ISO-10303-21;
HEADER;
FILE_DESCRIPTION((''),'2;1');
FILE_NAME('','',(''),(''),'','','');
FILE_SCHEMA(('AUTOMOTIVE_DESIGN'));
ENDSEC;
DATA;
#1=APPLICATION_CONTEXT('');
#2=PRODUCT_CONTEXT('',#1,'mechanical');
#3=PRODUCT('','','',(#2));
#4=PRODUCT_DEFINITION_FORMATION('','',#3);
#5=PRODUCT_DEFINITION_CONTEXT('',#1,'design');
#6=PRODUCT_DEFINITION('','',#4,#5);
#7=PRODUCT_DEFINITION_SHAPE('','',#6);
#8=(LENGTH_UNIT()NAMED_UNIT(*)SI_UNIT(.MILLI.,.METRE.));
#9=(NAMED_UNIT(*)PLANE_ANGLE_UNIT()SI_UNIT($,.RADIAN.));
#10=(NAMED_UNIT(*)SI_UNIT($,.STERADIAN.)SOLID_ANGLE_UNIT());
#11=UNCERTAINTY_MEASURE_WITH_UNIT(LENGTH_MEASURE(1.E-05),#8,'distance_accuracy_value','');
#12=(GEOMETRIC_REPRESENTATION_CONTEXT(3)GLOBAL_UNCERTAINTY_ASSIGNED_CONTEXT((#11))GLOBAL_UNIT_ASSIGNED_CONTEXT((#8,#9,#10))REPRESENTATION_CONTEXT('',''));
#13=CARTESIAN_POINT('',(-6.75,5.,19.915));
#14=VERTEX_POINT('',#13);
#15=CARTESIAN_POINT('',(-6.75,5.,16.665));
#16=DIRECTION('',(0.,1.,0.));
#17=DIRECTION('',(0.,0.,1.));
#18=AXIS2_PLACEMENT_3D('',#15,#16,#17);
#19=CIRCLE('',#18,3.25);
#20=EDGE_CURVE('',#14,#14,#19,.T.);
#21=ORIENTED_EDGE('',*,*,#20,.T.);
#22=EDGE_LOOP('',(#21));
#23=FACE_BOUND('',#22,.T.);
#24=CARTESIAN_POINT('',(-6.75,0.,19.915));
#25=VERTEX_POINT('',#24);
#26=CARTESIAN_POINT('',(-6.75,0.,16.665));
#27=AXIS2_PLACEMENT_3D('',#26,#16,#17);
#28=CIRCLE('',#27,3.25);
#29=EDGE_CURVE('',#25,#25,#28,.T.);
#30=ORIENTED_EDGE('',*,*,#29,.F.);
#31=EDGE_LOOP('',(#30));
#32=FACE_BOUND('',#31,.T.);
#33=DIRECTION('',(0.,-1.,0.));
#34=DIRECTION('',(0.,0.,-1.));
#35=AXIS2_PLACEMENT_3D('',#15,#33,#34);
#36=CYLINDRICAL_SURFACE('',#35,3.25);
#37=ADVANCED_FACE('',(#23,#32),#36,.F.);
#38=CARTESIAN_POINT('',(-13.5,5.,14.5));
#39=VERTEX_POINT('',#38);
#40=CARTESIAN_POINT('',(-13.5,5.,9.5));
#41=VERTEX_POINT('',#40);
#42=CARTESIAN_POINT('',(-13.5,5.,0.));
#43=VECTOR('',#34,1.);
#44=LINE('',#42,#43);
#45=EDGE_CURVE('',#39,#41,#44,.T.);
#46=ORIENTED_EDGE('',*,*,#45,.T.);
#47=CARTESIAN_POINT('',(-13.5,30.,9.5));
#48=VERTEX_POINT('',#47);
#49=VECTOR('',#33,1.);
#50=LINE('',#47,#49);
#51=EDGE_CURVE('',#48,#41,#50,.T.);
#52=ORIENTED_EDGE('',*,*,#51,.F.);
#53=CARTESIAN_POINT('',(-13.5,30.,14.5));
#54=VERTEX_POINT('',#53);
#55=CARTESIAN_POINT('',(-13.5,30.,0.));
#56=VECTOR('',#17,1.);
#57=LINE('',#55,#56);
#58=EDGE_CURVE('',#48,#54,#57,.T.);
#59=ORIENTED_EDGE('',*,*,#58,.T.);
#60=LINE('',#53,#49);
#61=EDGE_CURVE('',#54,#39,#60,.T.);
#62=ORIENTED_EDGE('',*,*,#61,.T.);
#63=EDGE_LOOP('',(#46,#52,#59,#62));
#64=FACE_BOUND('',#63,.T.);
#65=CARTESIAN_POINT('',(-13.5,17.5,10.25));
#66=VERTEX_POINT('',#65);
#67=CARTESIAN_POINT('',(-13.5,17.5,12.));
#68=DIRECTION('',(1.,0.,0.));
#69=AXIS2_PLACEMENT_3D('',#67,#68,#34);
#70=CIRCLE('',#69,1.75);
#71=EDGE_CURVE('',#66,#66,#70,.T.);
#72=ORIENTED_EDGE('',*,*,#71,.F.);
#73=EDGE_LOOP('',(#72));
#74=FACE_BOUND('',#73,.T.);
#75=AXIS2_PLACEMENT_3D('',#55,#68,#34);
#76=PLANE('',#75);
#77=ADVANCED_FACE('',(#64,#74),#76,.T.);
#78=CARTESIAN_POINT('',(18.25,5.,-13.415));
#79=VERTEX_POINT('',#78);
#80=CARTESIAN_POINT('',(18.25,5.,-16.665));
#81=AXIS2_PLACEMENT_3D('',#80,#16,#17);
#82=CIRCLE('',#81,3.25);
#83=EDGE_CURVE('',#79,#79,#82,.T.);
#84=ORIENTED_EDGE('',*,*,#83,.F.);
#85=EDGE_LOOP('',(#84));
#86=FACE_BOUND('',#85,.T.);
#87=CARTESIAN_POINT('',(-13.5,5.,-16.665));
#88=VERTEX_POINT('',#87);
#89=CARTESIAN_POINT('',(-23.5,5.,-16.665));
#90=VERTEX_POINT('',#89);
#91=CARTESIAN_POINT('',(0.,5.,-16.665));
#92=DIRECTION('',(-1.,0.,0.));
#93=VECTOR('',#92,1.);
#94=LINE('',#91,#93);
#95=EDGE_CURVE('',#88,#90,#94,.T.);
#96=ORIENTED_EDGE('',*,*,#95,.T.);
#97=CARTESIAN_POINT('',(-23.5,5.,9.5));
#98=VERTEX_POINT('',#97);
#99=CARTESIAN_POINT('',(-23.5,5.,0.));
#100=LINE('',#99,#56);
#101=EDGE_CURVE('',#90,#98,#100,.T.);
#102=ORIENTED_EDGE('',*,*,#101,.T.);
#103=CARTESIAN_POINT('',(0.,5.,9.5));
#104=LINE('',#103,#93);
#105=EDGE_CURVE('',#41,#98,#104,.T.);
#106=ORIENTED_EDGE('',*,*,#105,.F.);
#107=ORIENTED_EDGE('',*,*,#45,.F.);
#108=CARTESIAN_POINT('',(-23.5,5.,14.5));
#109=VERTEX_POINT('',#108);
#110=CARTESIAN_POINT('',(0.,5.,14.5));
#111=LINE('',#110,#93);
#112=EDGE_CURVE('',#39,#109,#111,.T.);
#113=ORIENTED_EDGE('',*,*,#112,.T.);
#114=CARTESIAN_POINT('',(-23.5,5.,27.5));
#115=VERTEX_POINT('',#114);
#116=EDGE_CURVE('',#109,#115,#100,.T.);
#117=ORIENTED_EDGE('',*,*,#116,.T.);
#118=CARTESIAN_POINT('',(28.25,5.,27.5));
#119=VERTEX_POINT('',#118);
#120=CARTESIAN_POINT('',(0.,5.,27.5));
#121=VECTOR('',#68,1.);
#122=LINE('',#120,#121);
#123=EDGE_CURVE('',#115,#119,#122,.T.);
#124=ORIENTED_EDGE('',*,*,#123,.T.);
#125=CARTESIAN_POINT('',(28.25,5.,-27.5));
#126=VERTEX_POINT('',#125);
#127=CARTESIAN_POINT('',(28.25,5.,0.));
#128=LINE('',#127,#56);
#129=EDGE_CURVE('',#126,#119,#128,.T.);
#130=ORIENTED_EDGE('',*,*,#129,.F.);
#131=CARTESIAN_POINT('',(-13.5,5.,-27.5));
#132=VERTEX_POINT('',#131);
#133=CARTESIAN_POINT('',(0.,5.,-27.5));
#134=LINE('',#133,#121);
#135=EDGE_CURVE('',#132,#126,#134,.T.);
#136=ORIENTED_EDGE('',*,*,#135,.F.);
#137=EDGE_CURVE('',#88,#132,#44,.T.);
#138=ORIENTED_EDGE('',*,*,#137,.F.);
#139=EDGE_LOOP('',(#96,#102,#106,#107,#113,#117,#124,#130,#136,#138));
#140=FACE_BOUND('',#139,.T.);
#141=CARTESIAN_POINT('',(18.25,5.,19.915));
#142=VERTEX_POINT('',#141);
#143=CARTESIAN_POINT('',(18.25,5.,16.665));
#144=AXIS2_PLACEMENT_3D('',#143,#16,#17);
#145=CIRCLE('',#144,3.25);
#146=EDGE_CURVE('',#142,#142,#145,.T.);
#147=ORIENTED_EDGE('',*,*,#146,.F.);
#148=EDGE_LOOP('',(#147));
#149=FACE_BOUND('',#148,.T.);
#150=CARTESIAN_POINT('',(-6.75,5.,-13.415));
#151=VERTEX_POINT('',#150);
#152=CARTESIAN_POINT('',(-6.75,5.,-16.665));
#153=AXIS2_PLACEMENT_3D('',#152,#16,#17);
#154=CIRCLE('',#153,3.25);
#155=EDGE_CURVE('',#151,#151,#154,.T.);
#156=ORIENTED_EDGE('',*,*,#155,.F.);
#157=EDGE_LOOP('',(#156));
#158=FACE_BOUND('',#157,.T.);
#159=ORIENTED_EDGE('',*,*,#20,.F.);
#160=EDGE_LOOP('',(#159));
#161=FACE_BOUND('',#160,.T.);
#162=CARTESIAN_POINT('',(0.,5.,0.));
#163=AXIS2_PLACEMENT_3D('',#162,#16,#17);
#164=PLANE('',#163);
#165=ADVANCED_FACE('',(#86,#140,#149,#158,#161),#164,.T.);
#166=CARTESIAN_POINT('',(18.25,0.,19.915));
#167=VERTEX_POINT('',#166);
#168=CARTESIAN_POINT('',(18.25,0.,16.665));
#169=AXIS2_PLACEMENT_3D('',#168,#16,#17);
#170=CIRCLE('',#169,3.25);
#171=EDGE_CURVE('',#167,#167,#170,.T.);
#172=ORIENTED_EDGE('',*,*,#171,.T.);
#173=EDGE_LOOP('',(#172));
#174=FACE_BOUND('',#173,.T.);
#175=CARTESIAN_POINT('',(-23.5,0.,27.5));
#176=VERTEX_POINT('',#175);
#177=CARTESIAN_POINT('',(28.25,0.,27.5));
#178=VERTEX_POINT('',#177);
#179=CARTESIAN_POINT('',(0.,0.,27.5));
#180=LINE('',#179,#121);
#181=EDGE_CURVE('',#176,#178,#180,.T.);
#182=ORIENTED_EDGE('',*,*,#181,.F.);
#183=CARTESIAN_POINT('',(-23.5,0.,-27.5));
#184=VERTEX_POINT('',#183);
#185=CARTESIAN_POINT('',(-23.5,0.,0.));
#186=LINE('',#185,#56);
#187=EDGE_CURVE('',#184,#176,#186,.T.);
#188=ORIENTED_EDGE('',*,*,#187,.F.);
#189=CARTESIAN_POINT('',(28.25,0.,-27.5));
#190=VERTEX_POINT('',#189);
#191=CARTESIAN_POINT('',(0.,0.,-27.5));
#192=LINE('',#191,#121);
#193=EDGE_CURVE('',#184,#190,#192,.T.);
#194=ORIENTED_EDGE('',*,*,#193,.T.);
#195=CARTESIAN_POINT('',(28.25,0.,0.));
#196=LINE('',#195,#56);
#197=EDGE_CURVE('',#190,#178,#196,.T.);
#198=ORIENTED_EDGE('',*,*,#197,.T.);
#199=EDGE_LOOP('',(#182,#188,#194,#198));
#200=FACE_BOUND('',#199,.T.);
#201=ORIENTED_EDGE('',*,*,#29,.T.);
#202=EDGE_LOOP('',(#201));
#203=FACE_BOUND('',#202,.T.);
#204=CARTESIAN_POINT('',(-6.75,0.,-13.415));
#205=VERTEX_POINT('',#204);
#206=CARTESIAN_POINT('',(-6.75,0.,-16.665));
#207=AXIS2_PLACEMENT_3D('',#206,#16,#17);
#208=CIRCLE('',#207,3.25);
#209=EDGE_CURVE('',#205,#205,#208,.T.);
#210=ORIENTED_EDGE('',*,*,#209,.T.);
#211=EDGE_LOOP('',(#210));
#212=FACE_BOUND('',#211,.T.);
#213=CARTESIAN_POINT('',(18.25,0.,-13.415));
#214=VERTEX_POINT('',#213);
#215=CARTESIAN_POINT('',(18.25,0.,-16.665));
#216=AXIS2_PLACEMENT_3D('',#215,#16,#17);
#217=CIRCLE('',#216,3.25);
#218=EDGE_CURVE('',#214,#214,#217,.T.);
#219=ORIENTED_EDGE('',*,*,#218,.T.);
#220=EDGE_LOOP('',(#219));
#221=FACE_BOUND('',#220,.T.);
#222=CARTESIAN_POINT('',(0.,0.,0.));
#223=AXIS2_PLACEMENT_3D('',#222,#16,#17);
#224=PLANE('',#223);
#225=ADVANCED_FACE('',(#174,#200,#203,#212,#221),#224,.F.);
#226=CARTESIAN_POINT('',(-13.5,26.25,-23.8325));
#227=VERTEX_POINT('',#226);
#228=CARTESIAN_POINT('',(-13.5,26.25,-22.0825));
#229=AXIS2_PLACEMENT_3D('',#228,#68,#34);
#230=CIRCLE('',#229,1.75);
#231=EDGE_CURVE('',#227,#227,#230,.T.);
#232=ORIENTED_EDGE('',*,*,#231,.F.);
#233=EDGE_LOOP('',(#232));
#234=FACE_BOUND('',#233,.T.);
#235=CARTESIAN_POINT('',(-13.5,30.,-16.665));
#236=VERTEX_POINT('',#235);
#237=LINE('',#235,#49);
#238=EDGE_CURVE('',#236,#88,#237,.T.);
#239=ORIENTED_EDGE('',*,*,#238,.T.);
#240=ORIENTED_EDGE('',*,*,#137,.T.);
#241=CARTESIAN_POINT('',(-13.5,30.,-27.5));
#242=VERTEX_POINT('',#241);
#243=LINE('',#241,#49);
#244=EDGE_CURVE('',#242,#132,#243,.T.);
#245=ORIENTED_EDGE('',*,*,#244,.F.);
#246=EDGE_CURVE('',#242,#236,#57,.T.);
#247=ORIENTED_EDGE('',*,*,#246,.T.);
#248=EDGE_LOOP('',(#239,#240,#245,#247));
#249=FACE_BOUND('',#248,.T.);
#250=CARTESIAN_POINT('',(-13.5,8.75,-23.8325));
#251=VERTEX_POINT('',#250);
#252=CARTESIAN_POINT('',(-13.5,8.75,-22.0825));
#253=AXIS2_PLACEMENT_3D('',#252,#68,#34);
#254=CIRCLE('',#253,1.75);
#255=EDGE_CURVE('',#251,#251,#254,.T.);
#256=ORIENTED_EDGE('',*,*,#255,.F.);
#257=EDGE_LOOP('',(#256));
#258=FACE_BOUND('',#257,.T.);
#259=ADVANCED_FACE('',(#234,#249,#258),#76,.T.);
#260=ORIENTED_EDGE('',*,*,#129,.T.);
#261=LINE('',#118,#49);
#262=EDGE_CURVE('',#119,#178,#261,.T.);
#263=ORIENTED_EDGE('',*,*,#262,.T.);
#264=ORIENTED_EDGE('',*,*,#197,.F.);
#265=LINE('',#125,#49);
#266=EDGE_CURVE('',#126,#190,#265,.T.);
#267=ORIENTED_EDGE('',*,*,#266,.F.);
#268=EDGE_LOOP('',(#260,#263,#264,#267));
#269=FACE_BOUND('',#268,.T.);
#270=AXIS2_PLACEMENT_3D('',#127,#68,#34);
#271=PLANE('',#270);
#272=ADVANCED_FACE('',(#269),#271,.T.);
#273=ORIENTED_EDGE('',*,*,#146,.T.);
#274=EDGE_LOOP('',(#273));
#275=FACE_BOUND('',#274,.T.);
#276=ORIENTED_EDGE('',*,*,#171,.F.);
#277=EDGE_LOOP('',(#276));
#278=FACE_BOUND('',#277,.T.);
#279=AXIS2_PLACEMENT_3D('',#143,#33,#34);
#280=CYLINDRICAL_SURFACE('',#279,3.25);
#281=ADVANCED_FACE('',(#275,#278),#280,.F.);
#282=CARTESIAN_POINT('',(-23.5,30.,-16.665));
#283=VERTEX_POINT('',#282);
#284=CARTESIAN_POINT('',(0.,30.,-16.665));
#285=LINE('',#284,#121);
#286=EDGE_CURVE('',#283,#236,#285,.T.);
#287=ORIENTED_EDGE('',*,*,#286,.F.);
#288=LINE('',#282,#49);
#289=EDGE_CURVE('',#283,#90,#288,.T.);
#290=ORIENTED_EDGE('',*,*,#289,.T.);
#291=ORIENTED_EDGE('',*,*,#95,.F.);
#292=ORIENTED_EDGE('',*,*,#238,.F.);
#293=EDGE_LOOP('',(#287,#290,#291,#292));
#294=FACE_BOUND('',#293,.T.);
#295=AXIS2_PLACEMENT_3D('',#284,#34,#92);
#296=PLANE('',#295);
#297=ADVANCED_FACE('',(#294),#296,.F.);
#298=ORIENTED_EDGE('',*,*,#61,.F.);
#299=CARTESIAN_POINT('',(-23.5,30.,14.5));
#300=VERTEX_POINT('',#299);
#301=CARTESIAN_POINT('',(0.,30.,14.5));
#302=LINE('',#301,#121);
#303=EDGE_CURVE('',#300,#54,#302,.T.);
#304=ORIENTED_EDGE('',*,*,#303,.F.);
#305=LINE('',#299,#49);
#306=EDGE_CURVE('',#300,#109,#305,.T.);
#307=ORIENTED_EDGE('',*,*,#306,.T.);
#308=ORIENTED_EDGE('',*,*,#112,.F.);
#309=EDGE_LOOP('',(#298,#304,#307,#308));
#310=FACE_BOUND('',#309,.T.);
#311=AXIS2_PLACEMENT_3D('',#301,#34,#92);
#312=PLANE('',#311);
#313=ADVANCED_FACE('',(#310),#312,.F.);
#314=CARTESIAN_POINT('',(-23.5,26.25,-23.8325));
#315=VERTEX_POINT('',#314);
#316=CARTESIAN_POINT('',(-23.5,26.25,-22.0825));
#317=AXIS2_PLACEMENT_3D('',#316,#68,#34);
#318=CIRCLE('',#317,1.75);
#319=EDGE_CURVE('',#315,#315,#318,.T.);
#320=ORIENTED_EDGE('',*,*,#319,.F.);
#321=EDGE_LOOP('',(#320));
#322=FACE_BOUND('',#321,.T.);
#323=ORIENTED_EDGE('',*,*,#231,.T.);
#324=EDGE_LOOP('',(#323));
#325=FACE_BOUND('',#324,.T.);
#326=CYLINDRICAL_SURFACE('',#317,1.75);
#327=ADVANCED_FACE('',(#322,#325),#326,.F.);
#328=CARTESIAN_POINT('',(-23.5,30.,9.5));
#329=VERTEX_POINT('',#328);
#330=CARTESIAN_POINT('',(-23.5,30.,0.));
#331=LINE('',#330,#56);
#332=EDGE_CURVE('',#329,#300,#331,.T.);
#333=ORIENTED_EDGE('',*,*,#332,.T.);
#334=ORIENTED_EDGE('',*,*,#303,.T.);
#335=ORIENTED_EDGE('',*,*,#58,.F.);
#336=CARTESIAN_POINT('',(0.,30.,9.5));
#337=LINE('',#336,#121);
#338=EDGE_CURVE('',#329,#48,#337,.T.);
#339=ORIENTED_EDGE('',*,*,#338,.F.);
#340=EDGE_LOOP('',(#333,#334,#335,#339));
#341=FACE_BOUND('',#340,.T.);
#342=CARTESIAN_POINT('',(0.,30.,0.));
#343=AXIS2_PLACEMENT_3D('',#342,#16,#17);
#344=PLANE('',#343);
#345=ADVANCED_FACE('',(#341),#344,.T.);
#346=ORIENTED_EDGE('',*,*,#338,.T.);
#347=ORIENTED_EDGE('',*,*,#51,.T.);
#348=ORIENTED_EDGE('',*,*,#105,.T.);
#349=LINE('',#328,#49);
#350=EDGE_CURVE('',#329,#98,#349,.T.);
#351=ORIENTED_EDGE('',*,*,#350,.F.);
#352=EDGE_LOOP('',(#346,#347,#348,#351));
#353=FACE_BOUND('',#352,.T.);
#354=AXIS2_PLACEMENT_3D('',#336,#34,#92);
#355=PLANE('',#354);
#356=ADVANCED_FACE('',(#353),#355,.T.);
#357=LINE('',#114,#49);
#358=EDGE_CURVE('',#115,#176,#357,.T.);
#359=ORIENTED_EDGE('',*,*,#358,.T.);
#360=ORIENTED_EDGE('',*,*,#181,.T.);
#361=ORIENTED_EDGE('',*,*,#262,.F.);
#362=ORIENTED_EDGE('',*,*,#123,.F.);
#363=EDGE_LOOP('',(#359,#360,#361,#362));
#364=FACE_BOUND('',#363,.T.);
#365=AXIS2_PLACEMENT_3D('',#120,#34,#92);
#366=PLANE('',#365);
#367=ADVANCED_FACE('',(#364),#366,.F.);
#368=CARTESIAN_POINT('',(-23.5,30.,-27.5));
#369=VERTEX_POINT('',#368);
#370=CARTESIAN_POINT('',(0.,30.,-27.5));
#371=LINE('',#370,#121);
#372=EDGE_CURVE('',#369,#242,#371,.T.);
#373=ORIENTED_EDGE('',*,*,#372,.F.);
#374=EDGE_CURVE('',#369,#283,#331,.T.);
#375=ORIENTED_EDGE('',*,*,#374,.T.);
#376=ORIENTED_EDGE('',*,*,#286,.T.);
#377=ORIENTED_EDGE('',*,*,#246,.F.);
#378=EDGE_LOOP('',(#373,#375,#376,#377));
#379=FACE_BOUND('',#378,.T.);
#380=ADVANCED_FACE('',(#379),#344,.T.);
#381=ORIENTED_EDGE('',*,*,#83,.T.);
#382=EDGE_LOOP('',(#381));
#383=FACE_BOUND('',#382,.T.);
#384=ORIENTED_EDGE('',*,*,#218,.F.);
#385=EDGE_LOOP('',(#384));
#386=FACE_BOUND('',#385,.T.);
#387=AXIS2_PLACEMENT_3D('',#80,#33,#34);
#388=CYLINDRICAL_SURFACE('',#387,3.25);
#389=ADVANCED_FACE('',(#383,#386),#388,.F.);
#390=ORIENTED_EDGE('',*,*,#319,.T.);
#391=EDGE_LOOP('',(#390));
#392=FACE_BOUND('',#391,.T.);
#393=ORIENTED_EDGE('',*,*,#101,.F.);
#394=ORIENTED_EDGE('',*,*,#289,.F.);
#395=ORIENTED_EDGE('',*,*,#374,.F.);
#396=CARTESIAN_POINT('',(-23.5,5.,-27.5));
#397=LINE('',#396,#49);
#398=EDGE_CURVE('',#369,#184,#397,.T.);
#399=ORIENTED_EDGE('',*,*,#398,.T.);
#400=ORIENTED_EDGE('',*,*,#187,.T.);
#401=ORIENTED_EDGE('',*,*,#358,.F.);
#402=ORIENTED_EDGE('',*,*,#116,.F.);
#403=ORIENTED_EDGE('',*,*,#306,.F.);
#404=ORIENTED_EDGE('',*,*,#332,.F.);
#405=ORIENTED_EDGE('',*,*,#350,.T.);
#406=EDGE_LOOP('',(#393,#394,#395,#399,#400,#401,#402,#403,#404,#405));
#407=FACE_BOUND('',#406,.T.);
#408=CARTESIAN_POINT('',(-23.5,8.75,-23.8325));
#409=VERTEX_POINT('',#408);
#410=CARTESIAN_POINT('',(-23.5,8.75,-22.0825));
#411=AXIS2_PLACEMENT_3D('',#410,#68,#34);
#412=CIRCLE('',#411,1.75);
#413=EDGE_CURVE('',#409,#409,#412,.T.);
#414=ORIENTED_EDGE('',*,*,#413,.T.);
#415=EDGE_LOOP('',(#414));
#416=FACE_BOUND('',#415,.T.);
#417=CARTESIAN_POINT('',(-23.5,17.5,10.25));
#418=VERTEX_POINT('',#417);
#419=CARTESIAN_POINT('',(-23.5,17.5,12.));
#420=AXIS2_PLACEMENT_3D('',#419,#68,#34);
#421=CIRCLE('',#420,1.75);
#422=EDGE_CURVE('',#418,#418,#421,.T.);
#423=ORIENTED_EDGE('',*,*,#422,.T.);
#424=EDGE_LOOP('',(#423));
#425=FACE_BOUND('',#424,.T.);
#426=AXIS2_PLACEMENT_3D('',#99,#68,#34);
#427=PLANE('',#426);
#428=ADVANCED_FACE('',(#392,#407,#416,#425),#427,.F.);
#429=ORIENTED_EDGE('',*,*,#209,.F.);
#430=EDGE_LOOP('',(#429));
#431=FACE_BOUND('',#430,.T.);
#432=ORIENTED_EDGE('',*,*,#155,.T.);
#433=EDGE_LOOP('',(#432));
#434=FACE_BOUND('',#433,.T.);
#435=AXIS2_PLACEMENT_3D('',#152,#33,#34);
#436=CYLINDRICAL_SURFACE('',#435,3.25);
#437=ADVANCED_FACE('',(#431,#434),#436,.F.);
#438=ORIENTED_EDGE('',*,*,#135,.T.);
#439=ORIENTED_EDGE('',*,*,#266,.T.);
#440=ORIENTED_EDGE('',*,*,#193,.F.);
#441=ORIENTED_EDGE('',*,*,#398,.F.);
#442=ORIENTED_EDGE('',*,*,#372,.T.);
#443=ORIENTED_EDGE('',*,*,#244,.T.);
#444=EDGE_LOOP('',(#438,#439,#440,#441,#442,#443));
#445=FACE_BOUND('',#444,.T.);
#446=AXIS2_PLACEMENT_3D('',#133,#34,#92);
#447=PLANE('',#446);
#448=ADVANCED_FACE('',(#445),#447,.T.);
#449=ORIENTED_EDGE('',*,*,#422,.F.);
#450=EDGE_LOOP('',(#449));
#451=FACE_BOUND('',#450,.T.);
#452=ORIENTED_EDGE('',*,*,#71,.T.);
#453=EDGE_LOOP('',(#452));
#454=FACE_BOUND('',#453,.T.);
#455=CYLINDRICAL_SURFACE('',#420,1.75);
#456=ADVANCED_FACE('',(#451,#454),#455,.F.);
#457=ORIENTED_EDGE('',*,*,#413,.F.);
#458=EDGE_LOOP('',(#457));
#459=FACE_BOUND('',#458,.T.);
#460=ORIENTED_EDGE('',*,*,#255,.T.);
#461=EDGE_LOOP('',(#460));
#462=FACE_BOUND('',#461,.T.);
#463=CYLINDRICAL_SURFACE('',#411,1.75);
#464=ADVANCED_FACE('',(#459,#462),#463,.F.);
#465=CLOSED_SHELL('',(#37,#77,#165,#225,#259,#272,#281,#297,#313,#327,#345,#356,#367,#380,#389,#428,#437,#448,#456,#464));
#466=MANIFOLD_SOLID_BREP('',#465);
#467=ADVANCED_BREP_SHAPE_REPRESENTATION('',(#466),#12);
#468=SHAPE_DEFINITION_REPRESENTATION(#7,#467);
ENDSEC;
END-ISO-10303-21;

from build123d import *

# Parameters (mm, degrees)
SKETCH1_W               = 51.75
SKETCH1_H               = 55
SKETCH1_R               = 3.25
BOSS_EXTRUDE2_DEPTH     = 5
SKETCH1_6_W             = 10
SKETCH1_6_H             = 10.835
SKETCH1_6_H_2           = 5
BOSS_EXTRUDE3_DEPTH     = 30
CUT_EXTRUDE1_DEPTH      = 59.303623387
CUT_EXTRUDE1_DEPTH_BACK = 59.303623387
SKETCH4_R               = 1.75
SKETCH3_R               = 1.75
CUT_EXTRUDE2_DEPTH      = 59.303623387


with BuildPart() as part:
    # Sketch1 → Boss-Extrude2 (new body)
    with BuildSketch(Plane(origin=(0, 0, 0), x_dir=(1, 0, 0), z_dir=(0, 1, 0))):
        with Locations((2.375, 0)):
            Rectangle(SKETCH1_W, SKETCH1_H)
        with Locations((18.25, 16.665)):
            Circle(SKETCH1_R, mode=Mode.SUBTRACT)
        with Locations((-6.75, -16.665)):
            Circle(SKETCH1_R, mode=Mode.SUBTRACT)
        with Locations((18.25, -16.665)):
            Circle(SKETCH1_R, mode=Mode.SUBTRACT)
        with Locations((-6.75, 16.665)):
            Circle(SKETCH1_R, mode=Mode.SUBTRACT)
    extrude(amount=BOSS_EXTRUDE2_DEPTH)

    # Sketch1<6> → Boss-Extrude3 (add)
    with BuildSketch(Plane(origin=(0, 0, 0), x_dir=(1, 0, 0), z_dir=(0, 1, 0))):
        with Locations((-18.5, 22.0825)):
            Rectangle(SKETCH1_6_W, SKETCH1_6_H)
        with Locations((-18.5, -12)):
            Rectangle(SKETCH1_6_W, SKETCH1_6_H_2)
    extrude(amount=BOSS_EXTRUDE3_DEPTH)

    # Sketch4 → Cut-Extrude1 (cut, two sides: drawn at the far end of the back side and taken through both)
    with BuildSketch(Plane(origin=(-13.5, 0, 0), x_dir=(0, 0, -1), z_dir=(1, 0, 0)).offset(-CUT_EXTRUDE1_DEPTH_BACK)):
        with Locations((22.0825, 26.25)):
            Circle(SKETCH4_R)
        with Locations((22.0825, 8.75)):
            Circle(SKETCH4_R)
    extrude(amount=CUT_EXTRUDE1_DEPTH + CUT_EXTRUDE1_DEPTH_BACK, mode=Mode.SUBTRACT)

    # Sketch3 → Cut-Extrude2 (cut, through all)
    with BuildSketch(Plane(origin=(-13.5, 0, 0), x_dir=(0, 0, -1), z_dir=(1, 0, 0))):
        with Locations((-12, 17.5)):
            Circle(SKETCH3_R)
    extrude(amount=-CUT_EXTRUDE2_DEPTH, mode=Mode.SUBTRACT)


solid = part.part
